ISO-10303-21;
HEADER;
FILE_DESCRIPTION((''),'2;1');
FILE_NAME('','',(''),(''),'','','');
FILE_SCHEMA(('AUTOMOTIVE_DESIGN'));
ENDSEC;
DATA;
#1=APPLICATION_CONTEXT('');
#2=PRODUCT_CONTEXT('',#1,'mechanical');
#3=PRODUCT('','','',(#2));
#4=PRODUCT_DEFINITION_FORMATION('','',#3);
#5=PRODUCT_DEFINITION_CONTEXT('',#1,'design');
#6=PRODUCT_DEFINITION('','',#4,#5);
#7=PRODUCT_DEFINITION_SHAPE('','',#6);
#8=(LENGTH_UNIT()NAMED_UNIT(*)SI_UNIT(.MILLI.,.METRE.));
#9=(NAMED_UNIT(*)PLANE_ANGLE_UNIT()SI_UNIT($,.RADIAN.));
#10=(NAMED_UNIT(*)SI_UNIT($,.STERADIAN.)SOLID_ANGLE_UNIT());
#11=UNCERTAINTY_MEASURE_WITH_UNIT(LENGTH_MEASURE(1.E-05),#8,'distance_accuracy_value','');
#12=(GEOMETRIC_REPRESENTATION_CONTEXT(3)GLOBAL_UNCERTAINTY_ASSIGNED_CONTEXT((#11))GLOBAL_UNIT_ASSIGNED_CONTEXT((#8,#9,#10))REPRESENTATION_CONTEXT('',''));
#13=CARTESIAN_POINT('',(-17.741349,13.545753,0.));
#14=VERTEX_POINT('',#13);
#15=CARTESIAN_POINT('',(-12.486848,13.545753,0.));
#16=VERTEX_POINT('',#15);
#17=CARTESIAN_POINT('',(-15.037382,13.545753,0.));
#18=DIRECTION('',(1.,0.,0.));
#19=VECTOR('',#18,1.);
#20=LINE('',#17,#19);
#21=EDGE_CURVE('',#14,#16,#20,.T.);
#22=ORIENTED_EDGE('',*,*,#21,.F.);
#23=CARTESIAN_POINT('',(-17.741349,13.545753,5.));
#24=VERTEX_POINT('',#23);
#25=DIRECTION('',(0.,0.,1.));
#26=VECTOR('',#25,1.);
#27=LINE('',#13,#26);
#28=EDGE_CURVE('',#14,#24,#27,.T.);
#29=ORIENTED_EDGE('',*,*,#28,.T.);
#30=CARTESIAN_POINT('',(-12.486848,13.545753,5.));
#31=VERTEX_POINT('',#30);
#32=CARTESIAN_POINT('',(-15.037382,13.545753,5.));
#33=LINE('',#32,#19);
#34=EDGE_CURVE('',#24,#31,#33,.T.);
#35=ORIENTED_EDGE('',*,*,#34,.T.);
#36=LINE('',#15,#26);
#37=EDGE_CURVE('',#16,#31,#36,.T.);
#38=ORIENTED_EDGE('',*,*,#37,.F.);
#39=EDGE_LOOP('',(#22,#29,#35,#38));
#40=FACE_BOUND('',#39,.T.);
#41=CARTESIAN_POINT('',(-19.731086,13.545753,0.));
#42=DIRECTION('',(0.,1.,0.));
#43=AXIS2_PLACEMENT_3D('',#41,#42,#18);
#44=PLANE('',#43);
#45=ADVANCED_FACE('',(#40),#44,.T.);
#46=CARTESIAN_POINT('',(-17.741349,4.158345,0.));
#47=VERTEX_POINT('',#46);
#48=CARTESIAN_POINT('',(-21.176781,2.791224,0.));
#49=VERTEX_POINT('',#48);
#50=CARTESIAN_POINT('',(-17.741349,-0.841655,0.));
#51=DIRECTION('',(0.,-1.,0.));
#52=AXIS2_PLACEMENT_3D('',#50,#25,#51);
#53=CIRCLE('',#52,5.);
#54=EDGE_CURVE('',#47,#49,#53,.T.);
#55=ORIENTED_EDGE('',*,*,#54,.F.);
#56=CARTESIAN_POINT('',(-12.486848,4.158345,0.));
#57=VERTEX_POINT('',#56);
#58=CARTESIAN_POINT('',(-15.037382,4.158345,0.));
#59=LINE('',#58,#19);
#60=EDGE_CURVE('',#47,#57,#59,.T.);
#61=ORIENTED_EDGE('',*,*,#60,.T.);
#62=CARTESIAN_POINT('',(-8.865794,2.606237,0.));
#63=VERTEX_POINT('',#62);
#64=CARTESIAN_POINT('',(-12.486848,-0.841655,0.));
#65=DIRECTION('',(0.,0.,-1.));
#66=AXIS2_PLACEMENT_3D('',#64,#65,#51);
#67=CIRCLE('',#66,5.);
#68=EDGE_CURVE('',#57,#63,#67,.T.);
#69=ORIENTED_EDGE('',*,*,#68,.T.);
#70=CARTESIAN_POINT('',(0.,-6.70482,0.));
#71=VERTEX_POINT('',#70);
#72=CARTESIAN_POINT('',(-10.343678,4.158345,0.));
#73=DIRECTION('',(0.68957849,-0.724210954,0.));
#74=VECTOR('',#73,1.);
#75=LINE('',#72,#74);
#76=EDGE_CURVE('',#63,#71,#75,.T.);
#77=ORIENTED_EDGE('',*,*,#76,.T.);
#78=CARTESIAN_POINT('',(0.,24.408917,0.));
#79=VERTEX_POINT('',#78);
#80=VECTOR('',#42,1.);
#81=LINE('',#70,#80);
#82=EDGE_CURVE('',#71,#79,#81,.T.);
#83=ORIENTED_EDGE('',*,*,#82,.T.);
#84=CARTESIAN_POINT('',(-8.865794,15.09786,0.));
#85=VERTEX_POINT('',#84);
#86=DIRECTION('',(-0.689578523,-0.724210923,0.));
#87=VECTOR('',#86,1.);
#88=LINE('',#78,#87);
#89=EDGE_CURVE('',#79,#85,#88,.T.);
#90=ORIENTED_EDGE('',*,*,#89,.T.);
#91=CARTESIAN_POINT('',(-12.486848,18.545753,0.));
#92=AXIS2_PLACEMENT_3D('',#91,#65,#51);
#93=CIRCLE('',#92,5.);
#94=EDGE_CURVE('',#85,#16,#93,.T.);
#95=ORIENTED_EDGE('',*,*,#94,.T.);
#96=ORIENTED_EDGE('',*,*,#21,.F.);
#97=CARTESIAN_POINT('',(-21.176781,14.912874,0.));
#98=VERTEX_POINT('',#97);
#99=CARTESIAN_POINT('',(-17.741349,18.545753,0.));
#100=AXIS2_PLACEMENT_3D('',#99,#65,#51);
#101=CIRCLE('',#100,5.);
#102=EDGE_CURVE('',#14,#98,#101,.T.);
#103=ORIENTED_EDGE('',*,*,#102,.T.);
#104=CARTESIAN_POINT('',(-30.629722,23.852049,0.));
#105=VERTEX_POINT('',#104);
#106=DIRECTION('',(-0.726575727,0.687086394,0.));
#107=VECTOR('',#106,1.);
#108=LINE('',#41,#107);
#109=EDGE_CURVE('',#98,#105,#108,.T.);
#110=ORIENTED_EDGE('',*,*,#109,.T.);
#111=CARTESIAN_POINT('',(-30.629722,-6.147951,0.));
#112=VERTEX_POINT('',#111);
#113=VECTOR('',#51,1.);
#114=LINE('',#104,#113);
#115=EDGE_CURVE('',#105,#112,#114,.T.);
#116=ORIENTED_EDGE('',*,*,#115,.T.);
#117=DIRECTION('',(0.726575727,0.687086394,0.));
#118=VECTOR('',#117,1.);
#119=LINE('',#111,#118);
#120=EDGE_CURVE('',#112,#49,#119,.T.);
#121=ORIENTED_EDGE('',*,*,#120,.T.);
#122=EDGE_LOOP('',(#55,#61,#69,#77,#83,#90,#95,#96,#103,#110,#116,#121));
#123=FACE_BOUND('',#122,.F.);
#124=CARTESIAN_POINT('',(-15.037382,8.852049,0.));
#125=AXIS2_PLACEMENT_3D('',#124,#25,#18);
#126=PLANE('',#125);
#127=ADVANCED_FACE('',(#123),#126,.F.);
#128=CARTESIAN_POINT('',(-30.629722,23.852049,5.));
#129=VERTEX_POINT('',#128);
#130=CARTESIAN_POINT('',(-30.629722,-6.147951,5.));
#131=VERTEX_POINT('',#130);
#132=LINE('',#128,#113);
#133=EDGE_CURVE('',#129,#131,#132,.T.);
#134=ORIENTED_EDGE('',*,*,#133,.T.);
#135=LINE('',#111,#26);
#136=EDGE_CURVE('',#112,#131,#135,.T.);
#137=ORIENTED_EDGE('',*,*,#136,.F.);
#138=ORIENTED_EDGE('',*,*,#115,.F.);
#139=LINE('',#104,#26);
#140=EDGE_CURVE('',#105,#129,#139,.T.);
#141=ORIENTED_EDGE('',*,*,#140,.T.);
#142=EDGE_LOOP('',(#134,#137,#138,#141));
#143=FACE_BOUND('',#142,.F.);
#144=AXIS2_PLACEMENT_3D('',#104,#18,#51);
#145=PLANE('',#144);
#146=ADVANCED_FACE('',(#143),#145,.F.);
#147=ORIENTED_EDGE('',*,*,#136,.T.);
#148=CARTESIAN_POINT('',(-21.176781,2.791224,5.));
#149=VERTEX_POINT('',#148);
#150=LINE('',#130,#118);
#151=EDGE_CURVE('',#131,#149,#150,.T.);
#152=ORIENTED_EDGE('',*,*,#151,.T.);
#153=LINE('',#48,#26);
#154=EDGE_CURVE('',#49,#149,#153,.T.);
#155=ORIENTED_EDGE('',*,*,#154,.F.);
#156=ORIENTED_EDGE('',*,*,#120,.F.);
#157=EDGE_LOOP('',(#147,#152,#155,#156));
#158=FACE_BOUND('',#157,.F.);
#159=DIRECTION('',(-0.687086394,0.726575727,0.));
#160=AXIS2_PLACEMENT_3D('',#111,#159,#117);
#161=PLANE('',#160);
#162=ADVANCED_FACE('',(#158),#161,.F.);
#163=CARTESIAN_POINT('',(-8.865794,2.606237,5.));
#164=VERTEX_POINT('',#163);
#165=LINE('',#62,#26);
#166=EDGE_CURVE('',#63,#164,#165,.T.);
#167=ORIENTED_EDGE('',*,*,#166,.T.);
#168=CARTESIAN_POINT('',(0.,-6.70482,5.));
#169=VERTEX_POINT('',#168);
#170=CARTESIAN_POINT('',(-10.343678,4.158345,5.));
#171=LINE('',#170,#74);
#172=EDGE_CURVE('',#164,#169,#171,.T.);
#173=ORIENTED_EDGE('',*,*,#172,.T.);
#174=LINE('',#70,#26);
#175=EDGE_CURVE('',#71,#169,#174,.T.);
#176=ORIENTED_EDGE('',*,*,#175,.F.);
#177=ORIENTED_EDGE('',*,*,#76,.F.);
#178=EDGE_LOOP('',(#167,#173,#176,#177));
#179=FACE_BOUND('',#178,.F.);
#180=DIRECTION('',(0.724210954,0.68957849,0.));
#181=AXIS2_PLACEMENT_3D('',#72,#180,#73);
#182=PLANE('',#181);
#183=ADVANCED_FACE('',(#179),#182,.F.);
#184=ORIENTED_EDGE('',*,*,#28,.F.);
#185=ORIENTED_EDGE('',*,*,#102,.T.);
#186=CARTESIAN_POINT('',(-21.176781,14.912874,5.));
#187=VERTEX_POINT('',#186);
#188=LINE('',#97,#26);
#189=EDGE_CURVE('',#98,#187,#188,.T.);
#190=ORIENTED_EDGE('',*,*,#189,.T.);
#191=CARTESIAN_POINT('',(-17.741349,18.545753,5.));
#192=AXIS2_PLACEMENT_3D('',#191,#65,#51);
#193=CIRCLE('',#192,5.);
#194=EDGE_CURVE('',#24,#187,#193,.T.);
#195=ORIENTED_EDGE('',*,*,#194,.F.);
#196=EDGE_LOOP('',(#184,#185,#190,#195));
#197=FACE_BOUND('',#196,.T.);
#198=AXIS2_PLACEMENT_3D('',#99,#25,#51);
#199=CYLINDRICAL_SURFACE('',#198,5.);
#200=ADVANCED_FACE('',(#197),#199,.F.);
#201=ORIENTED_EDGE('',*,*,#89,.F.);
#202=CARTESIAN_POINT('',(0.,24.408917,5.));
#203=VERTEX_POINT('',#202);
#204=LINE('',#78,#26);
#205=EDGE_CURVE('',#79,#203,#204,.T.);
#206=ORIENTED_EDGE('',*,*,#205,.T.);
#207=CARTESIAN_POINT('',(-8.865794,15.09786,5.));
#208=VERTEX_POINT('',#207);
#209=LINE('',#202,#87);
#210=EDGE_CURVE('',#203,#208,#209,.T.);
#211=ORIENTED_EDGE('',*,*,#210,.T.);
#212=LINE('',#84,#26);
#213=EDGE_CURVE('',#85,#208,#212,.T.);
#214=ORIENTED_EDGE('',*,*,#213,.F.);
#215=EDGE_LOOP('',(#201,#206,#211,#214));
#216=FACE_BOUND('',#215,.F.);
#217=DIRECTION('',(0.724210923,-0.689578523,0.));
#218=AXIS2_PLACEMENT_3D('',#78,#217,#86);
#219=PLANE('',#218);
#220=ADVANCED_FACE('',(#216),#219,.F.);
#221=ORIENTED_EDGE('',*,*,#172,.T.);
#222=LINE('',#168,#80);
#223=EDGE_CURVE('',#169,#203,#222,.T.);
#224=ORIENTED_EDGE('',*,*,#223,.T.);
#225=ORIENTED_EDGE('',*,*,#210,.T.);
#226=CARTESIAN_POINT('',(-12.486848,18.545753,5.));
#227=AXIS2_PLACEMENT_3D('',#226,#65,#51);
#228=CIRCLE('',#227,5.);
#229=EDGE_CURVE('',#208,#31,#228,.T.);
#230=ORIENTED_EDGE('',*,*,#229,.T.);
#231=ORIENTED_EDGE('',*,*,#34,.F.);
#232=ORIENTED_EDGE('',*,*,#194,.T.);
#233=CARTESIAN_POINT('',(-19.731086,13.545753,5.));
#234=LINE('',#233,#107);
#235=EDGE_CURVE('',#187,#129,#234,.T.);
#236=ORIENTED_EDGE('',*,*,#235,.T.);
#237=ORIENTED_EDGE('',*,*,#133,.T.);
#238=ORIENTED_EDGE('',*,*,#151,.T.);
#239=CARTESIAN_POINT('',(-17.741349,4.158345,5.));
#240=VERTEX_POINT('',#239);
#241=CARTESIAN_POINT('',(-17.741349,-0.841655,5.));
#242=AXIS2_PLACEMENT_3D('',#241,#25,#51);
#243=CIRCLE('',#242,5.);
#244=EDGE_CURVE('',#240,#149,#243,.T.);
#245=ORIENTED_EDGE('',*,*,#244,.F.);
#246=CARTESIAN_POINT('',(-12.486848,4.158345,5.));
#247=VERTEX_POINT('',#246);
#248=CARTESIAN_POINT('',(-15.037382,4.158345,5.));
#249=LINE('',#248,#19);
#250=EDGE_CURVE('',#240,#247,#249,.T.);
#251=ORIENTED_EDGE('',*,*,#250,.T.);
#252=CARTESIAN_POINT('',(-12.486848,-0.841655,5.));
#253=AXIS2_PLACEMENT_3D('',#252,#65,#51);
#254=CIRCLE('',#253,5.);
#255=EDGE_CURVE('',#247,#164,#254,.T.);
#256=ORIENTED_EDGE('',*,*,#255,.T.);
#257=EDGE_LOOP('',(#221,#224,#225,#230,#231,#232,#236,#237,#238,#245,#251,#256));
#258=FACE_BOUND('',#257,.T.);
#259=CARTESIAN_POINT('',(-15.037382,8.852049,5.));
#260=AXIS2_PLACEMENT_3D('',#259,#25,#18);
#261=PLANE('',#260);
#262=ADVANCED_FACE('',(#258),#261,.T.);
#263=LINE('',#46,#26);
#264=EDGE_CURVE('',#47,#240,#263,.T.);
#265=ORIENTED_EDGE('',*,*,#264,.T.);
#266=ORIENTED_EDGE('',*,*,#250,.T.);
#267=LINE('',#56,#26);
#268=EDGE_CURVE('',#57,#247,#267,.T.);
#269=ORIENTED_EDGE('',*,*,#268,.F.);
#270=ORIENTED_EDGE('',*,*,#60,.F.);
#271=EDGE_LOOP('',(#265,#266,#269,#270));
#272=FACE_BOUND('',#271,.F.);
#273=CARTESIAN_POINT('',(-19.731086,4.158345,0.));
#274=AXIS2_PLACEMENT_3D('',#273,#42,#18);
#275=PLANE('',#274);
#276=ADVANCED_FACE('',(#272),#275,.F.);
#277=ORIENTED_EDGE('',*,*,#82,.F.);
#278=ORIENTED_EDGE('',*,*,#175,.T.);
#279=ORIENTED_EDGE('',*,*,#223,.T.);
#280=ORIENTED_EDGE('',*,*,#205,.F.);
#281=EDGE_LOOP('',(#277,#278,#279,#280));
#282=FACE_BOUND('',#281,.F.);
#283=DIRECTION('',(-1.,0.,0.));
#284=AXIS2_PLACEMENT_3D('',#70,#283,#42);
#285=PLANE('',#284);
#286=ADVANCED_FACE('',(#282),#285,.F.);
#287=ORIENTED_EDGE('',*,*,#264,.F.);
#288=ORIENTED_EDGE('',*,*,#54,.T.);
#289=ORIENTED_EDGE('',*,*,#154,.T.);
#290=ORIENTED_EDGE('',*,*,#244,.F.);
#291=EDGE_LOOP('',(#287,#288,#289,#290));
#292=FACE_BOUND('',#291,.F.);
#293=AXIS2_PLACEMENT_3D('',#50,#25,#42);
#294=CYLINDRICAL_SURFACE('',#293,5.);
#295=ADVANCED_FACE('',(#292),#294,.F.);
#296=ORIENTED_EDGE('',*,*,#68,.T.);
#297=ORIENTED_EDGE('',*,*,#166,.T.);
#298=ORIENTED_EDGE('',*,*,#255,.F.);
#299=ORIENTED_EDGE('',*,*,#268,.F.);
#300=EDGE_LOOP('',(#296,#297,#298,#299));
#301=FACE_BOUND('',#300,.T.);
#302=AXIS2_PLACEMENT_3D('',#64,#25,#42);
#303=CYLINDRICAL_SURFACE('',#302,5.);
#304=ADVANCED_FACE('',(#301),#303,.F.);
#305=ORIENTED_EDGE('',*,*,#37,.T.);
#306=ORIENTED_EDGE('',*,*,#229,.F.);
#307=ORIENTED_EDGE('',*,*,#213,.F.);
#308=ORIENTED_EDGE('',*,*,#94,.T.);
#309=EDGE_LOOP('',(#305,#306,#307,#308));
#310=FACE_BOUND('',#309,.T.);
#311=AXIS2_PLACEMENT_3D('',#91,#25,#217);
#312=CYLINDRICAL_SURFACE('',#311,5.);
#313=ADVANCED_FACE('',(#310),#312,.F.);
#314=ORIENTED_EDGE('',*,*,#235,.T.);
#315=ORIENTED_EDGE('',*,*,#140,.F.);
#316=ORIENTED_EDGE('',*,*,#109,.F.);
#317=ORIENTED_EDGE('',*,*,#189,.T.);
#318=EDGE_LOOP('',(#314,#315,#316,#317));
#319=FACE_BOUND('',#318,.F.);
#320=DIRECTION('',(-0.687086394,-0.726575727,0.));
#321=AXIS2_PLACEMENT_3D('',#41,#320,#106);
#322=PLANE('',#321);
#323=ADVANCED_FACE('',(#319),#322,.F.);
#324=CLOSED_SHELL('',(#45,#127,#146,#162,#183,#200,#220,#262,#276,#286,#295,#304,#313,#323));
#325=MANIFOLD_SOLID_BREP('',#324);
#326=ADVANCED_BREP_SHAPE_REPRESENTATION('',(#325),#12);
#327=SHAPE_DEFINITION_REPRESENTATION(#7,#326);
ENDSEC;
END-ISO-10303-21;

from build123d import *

# Parameters (mm, degrees)
F0_W     = 9.387408
F0_H     = 9.387408
F1_DEPTH = 5
F2_R     = 5


with BuildPart() as f1:
    # F0 (on Top) → F1 (new body)
    with BuildSketch(Plane.XY):
        with Locations((-15.037382, 8.852049)):
            Rectangle(F0_W, F0_H)
        Polygon((-19.731086, 4.158345), (-19.731086, 13.545753), (-30.629722, 23.852049), (-30.629722, -6.147951), align=None)
        Polygon((0, 24.408917), (-10.343678, 13.545753), (-10.343678, 4.158345), (0, -6.70482), (0, 23.616456), align=None)
    extrude(amount=F1_DEPTH)

    # F2
    f2_edges = [f1.edges().sort_by_distance(p)[0] for p in [
        (-10.343678, 4.158345, 2.5),
        (-19.731086, 4.158345, 2.5),
        (-10.343678, 13.545753, 2.5),
        (-19.731086, 13.545753, 2.5),
    ]]
    fillet(f2_edges, radius=F2_R)


solid = f1.part
